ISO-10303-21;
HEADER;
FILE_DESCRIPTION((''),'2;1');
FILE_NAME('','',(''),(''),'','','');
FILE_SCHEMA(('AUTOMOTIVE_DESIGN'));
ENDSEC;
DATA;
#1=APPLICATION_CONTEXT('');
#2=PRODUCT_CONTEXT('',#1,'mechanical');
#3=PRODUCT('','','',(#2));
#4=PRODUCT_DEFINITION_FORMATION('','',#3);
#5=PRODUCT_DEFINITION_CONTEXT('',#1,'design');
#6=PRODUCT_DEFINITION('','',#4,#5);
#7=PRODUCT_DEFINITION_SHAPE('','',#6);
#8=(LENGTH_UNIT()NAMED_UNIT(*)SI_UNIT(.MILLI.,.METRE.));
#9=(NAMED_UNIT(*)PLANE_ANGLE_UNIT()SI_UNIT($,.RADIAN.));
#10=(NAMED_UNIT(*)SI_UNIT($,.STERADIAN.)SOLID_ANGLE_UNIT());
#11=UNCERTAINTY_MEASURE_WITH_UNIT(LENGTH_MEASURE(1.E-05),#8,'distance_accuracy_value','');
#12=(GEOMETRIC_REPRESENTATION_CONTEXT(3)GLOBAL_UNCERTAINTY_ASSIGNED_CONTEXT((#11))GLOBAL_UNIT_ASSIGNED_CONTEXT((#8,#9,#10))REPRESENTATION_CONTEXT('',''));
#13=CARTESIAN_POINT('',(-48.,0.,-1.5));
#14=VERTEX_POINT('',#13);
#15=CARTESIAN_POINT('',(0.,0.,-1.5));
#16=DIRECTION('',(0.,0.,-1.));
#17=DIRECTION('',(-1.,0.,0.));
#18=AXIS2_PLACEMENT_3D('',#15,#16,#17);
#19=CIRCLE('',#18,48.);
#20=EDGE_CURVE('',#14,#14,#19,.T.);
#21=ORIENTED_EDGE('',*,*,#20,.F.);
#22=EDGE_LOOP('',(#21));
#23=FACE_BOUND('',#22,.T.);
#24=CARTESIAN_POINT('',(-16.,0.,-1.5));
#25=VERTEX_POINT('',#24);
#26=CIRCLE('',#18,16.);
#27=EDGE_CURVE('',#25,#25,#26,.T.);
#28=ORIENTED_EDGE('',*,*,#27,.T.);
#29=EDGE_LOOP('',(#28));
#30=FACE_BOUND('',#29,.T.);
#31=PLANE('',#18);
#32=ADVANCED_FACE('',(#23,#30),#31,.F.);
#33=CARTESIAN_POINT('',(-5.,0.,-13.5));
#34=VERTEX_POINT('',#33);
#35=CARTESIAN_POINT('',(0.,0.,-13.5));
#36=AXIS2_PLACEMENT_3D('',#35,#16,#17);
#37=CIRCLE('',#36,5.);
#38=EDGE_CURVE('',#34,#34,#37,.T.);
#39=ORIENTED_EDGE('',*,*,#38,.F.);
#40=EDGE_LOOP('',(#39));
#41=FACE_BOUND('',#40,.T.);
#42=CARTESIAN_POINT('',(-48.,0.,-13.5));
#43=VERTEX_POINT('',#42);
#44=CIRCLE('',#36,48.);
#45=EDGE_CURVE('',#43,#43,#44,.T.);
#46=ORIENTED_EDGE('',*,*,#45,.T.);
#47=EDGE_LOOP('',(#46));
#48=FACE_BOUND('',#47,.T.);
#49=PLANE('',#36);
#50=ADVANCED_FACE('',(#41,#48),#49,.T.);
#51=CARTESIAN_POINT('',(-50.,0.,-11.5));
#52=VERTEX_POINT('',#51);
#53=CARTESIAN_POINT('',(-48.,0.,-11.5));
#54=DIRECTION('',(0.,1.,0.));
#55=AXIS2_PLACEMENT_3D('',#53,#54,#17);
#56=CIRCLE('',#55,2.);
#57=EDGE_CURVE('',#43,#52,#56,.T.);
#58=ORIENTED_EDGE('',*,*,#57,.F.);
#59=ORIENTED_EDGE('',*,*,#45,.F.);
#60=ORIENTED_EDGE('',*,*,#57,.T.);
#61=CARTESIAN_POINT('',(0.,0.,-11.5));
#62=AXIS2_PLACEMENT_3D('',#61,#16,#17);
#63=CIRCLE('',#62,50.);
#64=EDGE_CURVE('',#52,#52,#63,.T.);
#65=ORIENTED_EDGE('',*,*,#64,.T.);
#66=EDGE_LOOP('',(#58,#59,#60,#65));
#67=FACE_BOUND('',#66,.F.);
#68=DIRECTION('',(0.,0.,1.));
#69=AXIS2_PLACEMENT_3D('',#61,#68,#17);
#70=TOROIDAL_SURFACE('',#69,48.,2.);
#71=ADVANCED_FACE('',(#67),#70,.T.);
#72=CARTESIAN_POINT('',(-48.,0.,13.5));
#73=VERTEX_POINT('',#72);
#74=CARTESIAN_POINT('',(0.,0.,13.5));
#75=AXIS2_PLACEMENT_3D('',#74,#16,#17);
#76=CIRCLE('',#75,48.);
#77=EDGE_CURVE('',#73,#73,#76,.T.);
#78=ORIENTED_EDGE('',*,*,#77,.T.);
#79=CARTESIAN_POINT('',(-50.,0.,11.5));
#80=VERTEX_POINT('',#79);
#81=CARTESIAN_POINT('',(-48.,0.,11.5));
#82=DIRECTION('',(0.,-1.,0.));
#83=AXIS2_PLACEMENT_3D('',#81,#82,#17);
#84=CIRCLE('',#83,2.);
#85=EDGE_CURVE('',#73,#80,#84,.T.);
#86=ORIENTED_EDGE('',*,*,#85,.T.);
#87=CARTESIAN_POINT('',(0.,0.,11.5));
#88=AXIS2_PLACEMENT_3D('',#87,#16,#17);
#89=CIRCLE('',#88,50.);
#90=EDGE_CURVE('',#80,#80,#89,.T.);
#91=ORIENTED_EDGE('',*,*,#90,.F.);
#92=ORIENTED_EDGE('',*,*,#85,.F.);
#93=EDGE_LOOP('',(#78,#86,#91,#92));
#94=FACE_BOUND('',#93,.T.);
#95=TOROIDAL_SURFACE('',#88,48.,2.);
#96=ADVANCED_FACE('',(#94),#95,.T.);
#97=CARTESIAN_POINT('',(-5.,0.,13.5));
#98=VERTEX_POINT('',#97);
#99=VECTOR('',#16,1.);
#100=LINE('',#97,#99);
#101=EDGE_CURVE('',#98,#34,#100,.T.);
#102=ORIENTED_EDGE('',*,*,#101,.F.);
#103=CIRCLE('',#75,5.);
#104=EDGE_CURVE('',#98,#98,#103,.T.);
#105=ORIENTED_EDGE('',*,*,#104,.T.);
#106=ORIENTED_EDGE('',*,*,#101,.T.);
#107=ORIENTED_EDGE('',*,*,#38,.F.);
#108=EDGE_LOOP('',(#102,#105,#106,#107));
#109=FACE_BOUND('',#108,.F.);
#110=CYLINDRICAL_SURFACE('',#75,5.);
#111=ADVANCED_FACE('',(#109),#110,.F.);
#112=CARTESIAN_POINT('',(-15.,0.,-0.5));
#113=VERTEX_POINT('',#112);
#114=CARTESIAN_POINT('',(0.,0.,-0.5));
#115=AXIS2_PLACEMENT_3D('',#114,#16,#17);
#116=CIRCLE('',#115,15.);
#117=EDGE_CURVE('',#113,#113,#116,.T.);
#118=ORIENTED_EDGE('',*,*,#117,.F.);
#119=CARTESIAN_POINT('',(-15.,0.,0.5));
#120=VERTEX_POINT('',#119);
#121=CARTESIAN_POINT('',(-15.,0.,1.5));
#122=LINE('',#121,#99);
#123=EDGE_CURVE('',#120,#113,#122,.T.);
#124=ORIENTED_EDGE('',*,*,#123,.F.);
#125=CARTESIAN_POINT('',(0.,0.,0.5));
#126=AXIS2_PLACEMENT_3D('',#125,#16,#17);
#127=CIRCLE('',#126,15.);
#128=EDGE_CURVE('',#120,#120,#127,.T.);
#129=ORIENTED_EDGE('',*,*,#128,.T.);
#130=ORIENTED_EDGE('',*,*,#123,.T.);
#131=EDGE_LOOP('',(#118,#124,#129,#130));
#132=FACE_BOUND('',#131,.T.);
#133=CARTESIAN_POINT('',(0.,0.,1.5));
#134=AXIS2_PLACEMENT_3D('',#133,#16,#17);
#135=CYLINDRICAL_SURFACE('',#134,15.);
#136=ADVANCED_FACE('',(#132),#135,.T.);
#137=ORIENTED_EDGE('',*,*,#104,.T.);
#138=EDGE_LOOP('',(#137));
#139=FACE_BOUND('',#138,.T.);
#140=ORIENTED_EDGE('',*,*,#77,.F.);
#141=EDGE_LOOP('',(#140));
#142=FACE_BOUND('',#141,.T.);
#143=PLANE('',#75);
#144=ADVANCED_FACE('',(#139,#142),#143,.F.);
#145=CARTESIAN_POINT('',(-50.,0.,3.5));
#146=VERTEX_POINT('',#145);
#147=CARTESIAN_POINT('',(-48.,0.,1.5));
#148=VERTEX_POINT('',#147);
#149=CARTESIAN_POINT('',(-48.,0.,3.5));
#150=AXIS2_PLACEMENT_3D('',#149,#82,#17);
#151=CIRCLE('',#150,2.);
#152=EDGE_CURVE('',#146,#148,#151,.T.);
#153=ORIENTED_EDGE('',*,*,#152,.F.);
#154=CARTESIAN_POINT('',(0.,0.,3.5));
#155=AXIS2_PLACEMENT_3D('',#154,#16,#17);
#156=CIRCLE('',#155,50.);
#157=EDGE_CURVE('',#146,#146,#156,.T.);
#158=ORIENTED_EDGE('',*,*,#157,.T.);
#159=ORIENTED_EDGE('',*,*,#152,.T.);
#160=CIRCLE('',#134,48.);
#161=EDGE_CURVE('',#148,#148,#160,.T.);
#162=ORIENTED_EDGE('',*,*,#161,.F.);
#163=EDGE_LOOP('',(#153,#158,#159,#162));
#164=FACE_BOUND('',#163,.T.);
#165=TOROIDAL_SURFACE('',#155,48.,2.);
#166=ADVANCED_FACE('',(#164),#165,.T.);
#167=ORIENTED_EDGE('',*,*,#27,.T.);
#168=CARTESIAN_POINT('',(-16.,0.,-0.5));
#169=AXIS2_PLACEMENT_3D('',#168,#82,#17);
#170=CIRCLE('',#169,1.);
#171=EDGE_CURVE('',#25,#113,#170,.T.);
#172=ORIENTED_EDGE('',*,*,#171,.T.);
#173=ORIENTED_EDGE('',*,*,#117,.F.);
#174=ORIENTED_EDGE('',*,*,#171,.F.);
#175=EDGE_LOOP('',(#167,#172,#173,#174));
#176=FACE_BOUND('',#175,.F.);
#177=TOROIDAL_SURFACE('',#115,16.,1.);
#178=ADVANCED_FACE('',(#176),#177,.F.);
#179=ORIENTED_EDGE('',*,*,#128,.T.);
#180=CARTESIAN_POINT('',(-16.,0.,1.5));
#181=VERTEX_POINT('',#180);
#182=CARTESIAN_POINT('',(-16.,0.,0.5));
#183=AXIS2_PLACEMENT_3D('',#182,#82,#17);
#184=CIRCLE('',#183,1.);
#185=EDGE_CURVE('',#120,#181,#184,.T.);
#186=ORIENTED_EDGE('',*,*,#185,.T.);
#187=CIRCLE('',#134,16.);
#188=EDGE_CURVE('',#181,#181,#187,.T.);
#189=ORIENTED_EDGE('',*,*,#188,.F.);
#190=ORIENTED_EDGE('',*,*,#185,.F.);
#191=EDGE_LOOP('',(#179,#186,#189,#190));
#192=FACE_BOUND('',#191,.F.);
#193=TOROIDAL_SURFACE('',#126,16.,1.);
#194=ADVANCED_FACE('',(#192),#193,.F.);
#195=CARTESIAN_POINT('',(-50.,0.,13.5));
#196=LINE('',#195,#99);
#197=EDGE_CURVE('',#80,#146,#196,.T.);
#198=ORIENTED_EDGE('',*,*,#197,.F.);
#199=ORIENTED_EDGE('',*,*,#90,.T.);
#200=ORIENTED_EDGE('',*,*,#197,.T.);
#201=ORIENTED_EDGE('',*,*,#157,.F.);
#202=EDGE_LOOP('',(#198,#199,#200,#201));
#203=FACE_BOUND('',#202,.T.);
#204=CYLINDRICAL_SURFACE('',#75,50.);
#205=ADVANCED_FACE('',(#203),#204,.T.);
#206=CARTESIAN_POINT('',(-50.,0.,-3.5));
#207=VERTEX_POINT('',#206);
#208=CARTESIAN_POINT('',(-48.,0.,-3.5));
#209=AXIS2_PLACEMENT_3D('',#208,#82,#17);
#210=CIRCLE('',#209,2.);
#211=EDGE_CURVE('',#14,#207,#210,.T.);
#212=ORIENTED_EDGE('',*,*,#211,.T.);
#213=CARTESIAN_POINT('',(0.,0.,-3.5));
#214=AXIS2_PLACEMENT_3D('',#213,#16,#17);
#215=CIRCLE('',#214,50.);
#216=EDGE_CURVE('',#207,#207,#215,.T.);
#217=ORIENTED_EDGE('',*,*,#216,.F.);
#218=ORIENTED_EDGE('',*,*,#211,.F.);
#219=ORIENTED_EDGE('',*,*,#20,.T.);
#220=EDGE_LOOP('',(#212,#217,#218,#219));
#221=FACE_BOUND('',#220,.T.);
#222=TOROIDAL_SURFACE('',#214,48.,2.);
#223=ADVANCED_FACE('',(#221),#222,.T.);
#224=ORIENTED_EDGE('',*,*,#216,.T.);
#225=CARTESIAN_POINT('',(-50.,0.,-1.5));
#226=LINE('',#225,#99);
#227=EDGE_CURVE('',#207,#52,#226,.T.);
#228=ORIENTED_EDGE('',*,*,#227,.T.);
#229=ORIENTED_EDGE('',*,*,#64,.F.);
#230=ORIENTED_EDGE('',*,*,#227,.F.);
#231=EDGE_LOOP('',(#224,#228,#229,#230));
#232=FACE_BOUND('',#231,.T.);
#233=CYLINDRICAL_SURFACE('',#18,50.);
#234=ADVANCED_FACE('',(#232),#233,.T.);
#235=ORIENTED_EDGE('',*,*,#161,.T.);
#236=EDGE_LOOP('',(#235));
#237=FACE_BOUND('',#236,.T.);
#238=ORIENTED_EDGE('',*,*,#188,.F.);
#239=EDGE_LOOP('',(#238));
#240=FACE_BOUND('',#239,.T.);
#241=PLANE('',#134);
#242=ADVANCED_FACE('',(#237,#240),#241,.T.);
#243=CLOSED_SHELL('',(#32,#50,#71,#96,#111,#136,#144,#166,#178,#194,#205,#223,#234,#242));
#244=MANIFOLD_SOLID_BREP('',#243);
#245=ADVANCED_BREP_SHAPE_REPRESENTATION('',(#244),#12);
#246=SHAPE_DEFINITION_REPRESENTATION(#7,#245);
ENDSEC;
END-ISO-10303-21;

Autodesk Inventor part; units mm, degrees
ref_plane "YZ Plane" through (0, 0, 0) normal (1, 0, 0) x (0, 1, 0)
ref_plane "XZ Plane" through (0, 0, 0) normal (0, 1, 0) x (-1, 0, 0)
ref_plane "XY Plane" through (0, 0, 0) normal (0, 0, 1) x (1, 0, 0)
sketch "Sketch1" plane through (0, 0, 0) normal (0, 1, 0) x (-1, 0, 0)
  line L0 (50, -13.5) -> (5, -13.5)
  line L1 (5, 13.5) -> (50, 13.5)
  line L2 (50, 13.5) -> (50, 1.5)
  line L3 (50, 1.5) -> (15, 1.5)
  line L4 (15, 1.5) -> (15, -1.5)
  line L5 (15, -1.5) -> (50, -1.5)
  line L6 (50, -1.5) -> (50, -13.5)
  line L7 (0, 147.0752) -> (0, -168.5589)
  line L8 (5, 13.5) -> (5, -13.5)
  point P0 (0, 0)
  dimension "d6" = 12
  dimension "d7" = 12
  dimension "d10" = 1.5
  dimension "d11" = 3
  dimension "d15" = 5
  dimension "d16" = 15
  dimension "d17" = 50
  dimension "d18" = 50
revolve "Revolution1" add sketch "Sketch1" angle 360 about axis through (0, 0, 147.0752) along (0, 0, -1)
fillet "Fillet2" radius 2 4 edges at (50, 0, 1.5) (50, 0, 13.5) (50, 0, -1.5) (50, 0, -13.5)
fillet "Fillet3" radius 1 2 edges at (15, 0, -1.5) (15, 0, 1.5)
equation "\"d7\" = d6"
equation "\"d10\" = 0.5 * d11"
equation "\"d18\" = d17"
properties part number "bushing_smConnection"
